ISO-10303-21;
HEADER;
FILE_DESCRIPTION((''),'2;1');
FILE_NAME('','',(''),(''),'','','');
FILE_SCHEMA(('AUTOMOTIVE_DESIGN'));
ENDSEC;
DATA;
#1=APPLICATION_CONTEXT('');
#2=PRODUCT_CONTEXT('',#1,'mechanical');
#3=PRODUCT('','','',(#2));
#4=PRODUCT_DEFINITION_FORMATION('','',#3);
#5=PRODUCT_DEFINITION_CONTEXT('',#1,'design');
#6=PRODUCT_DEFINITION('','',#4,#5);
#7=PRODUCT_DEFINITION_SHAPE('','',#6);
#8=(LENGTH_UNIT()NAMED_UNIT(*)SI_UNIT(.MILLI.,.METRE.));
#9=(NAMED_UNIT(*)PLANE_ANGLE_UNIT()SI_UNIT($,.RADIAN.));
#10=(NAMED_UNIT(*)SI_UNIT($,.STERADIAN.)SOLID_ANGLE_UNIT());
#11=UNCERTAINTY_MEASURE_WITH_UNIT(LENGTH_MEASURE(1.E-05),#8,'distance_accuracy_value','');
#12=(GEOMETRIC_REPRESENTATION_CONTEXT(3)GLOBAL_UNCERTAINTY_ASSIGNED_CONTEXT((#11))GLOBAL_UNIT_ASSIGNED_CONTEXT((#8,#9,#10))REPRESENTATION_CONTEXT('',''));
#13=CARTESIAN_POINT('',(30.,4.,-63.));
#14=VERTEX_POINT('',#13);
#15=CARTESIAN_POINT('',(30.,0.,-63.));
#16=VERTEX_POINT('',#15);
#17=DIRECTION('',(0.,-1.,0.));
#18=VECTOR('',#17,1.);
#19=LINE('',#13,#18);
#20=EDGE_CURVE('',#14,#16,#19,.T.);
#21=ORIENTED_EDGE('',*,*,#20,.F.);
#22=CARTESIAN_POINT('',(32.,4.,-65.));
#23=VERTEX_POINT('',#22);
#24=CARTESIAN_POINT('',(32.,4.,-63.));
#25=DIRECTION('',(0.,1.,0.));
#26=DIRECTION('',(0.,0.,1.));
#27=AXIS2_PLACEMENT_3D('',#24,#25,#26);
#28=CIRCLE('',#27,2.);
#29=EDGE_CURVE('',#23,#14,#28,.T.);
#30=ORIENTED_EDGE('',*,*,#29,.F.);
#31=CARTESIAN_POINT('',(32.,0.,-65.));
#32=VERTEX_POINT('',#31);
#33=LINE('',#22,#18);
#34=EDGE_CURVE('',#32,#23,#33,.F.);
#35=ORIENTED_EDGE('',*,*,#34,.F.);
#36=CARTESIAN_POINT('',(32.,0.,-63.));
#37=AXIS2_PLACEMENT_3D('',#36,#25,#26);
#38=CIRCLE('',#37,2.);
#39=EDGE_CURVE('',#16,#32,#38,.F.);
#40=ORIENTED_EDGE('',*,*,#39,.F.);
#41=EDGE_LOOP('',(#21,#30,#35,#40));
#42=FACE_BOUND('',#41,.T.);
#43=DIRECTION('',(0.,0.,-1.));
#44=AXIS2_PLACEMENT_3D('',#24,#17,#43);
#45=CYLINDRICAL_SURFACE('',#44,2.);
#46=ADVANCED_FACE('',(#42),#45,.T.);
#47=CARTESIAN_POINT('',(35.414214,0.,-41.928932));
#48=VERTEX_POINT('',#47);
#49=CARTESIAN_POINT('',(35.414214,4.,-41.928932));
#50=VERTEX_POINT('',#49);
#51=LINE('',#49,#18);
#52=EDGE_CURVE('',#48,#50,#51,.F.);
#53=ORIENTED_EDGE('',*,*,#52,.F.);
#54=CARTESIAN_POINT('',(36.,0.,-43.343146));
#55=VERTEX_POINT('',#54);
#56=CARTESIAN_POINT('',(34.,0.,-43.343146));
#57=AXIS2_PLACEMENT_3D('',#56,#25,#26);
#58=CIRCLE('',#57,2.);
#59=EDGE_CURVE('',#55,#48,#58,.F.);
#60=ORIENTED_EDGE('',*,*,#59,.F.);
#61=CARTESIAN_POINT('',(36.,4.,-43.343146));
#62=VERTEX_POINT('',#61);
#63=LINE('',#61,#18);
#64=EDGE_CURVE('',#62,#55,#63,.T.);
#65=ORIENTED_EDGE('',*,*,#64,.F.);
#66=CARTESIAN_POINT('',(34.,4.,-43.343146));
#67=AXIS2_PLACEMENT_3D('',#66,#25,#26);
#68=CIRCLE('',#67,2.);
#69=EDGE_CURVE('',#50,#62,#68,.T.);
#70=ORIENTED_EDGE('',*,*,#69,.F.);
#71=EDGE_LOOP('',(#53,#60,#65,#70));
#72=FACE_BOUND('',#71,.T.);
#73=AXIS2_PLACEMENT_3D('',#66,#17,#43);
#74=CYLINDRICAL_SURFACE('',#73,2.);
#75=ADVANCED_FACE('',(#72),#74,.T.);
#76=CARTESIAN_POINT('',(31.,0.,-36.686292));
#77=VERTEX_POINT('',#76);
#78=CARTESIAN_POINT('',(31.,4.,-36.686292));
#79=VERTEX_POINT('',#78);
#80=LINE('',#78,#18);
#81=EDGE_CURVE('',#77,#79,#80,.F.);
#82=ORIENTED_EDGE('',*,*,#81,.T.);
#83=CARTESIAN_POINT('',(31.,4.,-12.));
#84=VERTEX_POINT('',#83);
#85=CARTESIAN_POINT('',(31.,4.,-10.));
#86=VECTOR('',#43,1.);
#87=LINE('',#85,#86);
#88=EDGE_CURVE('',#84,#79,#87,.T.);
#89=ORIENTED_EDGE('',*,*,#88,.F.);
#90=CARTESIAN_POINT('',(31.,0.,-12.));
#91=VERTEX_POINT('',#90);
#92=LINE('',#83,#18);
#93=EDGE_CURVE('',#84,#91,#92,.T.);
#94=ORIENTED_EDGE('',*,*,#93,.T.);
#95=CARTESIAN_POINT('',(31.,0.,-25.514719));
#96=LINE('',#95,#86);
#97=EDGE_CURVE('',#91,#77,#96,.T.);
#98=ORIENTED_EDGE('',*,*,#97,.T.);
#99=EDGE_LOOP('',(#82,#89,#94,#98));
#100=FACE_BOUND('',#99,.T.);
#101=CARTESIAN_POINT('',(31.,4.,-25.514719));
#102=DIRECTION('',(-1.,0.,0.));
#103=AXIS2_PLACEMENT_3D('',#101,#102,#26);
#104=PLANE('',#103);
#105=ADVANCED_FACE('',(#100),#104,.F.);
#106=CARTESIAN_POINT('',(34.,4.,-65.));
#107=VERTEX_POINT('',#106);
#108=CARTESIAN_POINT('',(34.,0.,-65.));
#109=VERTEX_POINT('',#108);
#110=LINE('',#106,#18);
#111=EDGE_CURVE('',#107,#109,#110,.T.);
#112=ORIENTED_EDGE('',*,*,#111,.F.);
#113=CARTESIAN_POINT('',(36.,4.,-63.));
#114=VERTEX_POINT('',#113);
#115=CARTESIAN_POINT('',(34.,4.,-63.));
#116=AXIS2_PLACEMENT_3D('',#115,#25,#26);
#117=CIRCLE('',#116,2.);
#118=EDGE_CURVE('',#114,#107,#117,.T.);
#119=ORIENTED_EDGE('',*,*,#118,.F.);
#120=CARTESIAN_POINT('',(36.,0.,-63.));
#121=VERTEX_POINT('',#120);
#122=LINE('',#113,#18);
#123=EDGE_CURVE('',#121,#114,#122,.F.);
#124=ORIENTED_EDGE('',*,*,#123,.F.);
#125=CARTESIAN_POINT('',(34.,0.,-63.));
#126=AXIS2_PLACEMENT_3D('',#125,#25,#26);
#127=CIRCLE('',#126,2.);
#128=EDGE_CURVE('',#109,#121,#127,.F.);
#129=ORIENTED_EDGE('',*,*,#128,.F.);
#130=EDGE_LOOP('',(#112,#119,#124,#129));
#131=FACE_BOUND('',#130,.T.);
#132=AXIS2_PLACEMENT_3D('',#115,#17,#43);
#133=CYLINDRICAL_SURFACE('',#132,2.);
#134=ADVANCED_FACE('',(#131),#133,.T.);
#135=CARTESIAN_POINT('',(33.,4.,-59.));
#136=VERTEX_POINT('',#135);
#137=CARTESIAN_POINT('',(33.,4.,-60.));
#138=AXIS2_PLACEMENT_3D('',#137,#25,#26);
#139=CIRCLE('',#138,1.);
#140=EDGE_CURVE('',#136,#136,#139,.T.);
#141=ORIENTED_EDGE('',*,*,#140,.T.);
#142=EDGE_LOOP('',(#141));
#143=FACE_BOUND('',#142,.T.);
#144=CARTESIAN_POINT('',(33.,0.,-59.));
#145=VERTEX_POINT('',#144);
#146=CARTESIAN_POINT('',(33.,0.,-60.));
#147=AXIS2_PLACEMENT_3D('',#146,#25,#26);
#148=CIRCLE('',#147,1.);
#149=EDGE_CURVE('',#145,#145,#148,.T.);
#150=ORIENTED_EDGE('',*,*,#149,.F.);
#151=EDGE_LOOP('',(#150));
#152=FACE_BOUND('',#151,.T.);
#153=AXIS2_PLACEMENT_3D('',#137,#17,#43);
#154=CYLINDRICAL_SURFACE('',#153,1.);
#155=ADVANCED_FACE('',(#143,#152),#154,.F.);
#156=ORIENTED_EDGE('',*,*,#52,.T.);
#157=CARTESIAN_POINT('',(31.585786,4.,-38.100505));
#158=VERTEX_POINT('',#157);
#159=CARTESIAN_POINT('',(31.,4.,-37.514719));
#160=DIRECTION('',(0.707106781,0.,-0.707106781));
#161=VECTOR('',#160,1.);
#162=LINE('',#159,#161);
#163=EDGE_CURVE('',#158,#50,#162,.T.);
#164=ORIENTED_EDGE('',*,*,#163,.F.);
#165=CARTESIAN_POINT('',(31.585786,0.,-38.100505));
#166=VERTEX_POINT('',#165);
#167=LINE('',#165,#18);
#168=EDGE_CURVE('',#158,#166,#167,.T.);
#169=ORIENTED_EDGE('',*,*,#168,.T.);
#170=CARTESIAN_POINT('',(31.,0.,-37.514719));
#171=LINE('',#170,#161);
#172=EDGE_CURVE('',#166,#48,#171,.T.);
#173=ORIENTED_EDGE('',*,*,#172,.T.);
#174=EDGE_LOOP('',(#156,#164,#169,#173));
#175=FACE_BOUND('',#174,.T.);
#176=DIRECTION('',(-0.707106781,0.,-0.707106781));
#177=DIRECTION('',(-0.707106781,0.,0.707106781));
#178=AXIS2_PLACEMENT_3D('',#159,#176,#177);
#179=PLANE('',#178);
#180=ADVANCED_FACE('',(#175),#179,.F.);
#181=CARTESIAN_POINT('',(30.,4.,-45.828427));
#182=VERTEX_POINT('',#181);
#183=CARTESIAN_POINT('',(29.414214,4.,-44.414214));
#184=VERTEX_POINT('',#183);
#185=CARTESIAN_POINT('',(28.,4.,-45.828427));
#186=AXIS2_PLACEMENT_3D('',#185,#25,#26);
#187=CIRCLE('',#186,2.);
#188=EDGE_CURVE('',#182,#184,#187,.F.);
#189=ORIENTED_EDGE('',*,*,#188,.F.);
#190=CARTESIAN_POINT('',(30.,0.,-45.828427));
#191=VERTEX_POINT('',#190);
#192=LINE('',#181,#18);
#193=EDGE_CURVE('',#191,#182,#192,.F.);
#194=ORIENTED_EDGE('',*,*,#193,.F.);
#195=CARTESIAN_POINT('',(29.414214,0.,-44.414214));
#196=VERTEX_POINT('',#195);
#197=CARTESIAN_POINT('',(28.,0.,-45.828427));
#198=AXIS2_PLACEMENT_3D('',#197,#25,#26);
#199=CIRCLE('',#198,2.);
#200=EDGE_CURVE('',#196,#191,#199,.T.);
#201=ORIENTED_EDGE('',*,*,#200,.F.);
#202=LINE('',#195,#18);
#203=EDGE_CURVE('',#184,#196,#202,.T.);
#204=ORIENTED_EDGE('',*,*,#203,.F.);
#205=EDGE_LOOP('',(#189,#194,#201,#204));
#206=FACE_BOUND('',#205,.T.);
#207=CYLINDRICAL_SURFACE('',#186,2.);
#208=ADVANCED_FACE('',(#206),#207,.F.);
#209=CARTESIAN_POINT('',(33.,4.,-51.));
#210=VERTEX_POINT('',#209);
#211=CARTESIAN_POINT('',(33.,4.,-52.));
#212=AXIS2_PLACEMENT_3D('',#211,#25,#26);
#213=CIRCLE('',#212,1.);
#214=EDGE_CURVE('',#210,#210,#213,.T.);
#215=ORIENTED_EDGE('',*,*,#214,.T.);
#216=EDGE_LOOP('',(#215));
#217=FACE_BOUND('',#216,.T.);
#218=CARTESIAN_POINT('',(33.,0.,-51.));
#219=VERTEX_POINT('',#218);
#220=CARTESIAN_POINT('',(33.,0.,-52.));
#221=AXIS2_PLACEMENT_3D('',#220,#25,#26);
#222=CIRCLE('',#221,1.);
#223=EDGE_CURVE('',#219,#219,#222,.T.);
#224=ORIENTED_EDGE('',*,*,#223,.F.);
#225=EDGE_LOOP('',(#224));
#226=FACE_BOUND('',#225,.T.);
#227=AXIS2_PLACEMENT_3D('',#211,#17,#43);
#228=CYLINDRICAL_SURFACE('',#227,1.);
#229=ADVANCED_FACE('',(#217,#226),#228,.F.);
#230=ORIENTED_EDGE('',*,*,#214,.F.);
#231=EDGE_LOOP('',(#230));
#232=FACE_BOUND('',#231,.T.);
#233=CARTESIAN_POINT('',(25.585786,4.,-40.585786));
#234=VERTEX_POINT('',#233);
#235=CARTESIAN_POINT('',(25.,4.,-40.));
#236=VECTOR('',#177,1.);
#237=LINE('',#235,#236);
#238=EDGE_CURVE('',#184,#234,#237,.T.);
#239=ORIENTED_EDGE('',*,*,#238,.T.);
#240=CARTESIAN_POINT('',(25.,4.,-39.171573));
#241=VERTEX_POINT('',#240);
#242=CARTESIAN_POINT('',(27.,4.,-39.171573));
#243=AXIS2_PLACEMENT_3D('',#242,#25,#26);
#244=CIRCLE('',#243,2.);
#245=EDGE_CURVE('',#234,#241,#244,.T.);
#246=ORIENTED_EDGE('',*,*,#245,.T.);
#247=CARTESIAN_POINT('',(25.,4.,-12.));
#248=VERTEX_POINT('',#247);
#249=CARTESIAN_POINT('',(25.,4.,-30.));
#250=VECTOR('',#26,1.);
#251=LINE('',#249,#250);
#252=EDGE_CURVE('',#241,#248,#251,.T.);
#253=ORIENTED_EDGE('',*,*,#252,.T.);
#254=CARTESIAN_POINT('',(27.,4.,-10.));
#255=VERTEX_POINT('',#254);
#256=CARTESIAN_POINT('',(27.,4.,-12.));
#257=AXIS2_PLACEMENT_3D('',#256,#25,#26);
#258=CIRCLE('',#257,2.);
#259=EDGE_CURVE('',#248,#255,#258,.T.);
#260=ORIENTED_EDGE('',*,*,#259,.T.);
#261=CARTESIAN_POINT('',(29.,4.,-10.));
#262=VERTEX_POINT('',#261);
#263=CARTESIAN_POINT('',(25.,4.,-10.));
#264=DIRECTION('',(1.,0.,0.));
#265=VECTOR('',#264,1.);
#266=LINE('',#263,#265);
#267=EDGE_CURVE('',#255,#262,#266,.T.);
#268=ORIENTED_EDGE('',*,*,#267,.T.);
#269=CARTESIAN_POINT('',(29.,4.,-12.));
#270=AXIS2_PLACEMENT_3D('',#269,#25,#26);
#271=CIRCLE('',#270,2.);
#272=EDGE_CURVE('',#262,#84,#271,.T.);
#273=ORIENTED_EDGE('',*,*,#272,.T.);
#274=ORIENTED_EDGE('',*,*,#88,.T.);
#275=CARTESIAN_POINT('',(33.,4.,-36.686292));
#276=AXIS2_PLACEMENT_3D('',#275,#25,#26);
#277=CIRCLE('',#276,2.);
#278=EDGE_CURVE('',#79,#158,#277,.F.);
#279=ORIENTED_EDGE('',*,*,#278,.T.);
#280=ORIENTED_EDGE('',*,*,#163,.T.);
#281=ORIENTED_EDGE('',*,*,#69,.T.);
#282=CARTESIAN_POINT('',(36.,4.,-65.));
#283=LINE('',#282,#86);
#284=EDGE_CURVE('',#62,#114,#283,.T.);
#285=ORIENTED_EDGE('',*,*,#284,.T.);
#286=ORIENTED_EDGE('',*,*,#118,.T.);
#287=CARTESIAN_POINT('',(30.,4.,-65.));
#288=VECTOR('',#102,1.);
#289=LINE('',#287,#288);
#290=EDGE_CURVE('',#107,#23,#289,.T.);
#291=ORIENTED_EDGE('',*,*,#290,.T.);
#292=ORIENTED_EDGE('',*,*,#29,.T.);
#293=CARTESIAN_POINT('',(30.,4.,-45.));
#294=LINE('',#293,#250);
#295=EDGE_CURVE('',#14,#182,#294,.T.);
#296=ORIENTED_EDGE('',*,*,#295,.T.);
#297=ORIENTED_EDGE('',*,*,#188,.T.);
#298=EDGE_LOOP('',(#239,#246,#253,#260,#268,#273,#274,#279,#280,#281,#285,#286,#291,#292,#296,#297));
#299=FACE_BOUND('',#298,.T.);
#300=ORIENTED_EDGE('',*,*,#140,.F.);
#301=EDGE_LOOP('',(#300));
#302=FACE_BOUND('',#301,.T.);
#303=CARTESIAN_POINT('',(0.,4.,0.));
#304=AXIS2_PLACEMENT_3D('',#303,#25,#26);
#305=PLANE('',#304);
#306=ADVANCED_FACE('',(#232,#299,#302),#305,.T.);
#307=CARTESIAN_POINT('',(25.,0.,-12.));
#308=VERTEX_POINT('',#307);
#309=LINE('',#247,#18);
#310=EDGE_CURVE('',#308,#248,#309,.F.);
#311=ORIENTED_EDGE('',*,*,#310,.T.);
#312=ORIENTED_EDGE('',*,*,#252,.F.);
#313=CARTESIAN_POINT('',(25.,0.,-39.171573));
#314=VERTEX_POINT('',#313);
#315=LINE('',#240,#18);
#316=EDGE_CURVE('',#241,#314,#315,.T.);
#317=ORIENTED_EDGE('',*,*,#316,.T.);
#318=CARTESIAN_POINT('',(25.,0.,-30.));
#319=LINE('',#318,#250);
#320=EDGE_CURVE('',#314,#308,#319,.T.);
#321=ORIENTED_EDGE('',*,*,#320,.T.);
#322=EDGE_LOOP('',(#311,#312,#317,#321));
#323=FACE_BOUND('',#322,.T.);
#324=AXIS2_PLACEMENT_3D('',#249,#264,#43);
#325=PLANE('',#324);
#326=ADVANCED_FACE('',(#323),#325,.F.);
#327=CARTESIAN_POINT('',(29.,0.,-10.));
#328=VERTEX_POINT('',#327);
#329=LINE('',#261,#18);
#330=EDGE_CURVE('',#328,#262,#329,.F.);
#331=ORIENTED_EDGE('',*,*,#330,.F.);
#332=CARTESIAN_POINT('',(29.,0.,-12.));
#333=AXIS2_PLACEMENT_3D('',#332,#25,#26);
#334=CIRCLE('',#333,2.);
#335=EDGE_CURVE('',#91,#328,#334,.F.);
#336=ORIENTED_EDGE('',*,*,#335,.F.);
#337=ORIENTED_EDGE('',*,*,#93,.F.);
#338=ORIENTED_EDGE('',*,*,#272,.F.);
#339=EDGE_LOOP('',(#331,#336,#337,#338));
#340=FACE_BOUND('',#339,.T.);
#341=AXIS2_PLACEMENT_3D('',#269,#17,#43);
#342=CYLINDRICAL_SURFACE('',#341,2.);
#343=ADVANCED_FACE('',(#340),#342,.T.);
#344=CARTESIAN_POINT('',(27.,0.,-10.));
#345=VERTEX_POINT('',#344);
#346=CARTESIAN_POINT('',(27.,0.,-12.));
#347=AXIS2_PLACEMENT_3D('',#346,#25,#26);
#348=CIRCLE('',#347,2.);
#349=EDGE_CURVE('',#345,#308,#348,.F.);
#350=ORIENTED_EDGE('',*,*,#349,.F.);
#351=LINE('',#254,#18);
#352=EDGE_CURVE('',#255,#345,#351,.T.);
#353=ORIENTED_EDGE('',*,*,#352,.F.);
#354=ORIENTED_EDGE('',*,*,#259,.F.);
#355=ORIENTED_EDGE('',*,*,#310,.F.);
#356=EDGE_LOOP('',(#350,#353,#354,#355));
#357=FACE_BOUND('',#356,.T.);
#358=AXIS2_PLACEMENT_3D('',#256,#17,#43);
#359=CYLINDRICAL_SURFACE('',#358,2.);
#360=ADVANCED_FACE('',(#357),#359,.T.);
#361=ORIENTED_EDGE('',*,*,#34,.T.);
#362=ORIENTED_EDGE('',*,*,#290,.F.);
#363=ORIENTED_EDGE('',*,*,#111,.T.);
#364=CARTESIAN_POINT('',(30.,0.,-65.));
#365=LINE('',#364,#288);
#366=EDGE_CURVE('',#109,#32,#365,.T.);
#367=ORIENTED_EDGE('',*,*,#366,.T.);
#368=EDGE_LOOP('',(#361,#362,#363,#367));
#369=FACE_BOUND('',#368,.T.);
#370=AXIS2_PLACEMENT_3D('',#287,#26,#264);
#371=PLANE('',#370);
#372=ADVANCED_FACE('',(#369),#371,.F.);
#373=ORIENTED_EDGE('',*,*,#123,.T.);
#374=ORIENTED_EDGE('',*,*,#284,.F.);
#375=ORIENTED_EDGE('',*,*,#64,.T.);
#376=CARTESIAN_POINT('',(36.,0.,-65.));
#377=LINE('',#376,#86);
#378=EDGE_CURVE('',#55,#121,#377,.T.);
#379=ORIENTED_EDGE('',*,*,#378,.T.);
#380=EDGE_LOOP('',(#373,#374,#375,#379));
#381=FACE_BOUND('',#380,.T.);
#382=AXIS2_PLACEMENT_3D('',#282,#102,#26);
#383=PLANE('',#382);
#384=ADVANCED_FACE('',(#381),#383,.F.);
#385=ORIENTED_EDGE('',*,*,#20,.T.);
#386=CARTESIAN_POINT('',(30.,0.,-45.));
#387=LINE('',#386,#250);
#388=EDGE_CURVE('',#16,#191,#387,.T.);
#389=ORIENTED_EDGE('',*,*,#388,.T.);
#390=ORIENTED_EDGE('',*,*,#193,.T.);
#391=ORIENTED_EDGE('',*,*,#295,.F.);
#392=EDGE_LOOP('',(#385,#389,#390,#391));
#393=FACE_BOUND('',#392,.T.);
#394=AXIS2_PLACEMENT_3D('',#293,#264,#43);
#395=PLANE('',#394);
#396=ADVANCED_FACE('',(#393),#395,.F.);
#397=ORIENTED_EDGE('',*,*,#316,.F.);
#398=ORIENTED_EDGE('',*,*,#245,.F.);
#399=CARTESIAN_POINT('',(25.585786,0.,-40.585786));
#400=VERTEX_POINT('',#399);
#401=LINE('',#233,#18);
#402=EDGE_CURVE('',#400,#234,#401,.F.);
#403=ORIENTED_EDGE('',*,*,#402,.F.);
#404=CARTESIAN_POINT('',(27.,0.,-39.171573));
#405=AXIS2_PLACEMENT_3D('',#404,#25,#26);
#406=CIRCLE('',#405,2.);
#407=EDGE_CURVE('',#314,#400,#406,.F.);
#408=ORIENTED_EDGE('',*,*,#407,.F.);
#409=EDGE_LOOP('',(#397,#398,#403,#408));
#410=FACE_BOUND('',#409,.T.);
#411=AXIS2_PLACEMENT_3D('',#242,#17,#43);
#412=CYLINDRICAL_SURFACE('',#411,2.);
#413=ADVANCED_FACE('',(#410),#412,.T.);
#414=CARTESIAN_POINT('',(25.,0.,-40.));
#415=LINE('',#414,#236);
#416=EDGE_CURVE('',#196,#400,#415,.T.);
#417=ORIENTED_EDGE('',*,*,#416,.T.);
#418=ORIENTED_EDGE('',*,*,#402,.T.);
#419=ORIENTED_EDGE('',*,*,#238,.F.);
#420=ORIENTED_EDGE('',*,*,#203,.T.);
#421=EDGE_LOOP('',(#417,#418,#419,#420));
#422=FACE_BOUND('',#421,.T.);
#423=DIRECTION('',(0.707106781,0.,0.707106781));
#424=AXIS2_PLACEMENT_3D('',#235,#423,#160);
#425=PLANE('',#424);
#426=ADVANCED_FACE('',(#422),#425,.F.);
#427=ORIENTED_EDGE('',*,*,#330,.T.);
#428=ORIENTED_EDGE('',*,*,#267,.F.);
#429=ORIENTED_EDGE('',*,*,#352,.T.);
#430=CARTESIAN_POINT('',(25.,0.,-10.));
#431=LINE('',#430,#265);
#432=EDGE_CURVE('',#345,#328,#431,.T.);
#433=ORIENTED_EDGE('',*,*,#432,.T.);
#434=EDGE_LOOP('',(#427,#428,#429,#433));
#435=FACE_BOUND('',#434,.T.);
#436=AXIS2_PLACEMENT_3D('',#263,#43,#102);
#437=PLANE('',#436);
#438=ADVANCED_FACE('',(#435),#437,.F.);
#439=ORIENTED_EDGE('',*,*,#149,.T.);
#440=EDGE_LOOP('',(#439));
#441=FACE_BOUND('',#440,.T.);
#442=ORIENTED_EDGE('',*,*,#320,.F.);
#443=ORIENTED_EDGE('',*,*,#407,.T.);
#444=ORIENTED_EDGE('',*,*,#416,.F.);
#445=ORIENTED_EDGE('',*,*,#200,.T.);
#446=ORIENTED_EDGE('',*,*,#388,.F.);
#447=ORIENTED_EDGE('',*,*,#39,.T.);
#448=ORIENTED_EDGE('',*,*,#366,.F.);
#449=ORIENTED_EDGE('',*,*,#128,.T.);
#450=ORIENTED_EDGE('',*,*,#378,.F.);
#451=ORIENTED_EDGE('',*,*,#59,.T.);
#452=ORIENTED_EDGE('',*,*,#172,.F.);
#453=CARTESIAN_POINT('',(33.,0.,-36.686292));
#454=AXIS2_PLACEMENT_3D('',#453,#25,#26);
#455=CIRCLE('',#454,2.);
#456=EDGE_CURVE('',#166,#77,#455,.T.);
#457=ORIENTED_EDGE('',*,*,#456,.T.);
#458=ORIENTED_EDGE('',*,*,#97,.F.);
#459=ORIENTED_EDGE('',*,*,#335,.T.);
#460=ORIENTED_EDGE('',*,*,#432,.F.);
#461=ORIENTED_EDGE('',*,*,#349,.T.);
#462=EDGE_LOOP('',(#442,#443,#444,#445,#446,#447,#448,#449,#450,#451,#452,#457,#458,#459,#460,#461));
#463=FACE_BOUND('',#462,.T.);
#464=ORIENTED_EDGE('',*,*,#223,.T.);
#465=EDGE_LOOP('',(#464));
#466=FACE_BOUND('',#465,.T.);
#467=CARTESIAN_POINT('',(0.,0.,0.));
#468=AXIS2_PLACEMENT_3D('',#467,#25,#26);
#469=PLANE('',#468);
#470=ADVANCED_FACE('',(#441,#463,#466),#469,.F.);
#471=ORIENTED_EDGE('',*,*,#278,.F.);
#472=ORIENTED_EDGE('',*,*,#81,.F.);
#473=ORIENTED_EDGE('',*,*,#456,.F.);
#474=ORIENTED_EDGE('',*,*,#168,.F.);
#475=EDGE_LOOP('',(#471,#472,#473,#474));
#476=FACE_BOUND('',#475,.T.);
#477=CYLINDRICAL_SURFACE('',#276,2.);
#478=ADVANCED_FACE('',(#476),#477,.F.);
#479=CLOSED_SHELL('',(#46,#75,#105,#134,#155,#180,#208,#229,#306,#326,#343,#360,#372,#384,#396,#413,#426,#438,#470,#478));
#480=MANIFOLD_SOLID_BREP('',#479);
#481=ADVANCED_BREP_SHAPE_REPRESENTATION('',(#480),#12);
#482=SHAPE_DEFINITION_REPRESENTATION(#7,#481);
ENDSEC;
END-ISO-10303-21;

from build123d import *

# Parameters (mm, degrees)
SKETCH_1_R      = 1
EXTRUDE_1_DEPTH = 4
FILLET_1_R      = 2


with BuildPart() as part:
    # 草图1 → 凸台-拉伸1 (new body)
    with BuildSketch(Plane(origin=(0, 0, 0), x_dir=(1, 0, 0), z_dir=(0, 1, 0))):
        Polygon((25, 30), (25, 40), (30, 45), (30, 65), (36, 65), (36, 42.514718626), (31, 37.514718626), (31, 25.514718626), (31, 10), (25, 10), align=None)
        with Locations(Location((33, 60, 0), (0, 0, 270))):
            Circle(SKETCH_1_R, mode=Mode.SUBTRACT)
        with Locations(Location((33, 52, 0), (0, 0, 270))):
            Circle(SKETCH_1_R, mode=Mode.SUBTRACT)
    extrude(amount=EXTRUDE_1_DEPTH)

    # 圆角1
    fillet_1_edges = [part.edges().sort_by_distance(p)[0] for p in [
        (25, 2, -40),
        (30, 2, -45),
        (30, 2, -65),
        (36, 2, -65),
        (36, 2, -42.514718626),
        (31, 2, -37.514718626),
        (31, 2, -10),
        (25, 2, -10),
    ]]
    fillet(fillet_1_edges, radius=FILLET_1_R)


solid = part.part
